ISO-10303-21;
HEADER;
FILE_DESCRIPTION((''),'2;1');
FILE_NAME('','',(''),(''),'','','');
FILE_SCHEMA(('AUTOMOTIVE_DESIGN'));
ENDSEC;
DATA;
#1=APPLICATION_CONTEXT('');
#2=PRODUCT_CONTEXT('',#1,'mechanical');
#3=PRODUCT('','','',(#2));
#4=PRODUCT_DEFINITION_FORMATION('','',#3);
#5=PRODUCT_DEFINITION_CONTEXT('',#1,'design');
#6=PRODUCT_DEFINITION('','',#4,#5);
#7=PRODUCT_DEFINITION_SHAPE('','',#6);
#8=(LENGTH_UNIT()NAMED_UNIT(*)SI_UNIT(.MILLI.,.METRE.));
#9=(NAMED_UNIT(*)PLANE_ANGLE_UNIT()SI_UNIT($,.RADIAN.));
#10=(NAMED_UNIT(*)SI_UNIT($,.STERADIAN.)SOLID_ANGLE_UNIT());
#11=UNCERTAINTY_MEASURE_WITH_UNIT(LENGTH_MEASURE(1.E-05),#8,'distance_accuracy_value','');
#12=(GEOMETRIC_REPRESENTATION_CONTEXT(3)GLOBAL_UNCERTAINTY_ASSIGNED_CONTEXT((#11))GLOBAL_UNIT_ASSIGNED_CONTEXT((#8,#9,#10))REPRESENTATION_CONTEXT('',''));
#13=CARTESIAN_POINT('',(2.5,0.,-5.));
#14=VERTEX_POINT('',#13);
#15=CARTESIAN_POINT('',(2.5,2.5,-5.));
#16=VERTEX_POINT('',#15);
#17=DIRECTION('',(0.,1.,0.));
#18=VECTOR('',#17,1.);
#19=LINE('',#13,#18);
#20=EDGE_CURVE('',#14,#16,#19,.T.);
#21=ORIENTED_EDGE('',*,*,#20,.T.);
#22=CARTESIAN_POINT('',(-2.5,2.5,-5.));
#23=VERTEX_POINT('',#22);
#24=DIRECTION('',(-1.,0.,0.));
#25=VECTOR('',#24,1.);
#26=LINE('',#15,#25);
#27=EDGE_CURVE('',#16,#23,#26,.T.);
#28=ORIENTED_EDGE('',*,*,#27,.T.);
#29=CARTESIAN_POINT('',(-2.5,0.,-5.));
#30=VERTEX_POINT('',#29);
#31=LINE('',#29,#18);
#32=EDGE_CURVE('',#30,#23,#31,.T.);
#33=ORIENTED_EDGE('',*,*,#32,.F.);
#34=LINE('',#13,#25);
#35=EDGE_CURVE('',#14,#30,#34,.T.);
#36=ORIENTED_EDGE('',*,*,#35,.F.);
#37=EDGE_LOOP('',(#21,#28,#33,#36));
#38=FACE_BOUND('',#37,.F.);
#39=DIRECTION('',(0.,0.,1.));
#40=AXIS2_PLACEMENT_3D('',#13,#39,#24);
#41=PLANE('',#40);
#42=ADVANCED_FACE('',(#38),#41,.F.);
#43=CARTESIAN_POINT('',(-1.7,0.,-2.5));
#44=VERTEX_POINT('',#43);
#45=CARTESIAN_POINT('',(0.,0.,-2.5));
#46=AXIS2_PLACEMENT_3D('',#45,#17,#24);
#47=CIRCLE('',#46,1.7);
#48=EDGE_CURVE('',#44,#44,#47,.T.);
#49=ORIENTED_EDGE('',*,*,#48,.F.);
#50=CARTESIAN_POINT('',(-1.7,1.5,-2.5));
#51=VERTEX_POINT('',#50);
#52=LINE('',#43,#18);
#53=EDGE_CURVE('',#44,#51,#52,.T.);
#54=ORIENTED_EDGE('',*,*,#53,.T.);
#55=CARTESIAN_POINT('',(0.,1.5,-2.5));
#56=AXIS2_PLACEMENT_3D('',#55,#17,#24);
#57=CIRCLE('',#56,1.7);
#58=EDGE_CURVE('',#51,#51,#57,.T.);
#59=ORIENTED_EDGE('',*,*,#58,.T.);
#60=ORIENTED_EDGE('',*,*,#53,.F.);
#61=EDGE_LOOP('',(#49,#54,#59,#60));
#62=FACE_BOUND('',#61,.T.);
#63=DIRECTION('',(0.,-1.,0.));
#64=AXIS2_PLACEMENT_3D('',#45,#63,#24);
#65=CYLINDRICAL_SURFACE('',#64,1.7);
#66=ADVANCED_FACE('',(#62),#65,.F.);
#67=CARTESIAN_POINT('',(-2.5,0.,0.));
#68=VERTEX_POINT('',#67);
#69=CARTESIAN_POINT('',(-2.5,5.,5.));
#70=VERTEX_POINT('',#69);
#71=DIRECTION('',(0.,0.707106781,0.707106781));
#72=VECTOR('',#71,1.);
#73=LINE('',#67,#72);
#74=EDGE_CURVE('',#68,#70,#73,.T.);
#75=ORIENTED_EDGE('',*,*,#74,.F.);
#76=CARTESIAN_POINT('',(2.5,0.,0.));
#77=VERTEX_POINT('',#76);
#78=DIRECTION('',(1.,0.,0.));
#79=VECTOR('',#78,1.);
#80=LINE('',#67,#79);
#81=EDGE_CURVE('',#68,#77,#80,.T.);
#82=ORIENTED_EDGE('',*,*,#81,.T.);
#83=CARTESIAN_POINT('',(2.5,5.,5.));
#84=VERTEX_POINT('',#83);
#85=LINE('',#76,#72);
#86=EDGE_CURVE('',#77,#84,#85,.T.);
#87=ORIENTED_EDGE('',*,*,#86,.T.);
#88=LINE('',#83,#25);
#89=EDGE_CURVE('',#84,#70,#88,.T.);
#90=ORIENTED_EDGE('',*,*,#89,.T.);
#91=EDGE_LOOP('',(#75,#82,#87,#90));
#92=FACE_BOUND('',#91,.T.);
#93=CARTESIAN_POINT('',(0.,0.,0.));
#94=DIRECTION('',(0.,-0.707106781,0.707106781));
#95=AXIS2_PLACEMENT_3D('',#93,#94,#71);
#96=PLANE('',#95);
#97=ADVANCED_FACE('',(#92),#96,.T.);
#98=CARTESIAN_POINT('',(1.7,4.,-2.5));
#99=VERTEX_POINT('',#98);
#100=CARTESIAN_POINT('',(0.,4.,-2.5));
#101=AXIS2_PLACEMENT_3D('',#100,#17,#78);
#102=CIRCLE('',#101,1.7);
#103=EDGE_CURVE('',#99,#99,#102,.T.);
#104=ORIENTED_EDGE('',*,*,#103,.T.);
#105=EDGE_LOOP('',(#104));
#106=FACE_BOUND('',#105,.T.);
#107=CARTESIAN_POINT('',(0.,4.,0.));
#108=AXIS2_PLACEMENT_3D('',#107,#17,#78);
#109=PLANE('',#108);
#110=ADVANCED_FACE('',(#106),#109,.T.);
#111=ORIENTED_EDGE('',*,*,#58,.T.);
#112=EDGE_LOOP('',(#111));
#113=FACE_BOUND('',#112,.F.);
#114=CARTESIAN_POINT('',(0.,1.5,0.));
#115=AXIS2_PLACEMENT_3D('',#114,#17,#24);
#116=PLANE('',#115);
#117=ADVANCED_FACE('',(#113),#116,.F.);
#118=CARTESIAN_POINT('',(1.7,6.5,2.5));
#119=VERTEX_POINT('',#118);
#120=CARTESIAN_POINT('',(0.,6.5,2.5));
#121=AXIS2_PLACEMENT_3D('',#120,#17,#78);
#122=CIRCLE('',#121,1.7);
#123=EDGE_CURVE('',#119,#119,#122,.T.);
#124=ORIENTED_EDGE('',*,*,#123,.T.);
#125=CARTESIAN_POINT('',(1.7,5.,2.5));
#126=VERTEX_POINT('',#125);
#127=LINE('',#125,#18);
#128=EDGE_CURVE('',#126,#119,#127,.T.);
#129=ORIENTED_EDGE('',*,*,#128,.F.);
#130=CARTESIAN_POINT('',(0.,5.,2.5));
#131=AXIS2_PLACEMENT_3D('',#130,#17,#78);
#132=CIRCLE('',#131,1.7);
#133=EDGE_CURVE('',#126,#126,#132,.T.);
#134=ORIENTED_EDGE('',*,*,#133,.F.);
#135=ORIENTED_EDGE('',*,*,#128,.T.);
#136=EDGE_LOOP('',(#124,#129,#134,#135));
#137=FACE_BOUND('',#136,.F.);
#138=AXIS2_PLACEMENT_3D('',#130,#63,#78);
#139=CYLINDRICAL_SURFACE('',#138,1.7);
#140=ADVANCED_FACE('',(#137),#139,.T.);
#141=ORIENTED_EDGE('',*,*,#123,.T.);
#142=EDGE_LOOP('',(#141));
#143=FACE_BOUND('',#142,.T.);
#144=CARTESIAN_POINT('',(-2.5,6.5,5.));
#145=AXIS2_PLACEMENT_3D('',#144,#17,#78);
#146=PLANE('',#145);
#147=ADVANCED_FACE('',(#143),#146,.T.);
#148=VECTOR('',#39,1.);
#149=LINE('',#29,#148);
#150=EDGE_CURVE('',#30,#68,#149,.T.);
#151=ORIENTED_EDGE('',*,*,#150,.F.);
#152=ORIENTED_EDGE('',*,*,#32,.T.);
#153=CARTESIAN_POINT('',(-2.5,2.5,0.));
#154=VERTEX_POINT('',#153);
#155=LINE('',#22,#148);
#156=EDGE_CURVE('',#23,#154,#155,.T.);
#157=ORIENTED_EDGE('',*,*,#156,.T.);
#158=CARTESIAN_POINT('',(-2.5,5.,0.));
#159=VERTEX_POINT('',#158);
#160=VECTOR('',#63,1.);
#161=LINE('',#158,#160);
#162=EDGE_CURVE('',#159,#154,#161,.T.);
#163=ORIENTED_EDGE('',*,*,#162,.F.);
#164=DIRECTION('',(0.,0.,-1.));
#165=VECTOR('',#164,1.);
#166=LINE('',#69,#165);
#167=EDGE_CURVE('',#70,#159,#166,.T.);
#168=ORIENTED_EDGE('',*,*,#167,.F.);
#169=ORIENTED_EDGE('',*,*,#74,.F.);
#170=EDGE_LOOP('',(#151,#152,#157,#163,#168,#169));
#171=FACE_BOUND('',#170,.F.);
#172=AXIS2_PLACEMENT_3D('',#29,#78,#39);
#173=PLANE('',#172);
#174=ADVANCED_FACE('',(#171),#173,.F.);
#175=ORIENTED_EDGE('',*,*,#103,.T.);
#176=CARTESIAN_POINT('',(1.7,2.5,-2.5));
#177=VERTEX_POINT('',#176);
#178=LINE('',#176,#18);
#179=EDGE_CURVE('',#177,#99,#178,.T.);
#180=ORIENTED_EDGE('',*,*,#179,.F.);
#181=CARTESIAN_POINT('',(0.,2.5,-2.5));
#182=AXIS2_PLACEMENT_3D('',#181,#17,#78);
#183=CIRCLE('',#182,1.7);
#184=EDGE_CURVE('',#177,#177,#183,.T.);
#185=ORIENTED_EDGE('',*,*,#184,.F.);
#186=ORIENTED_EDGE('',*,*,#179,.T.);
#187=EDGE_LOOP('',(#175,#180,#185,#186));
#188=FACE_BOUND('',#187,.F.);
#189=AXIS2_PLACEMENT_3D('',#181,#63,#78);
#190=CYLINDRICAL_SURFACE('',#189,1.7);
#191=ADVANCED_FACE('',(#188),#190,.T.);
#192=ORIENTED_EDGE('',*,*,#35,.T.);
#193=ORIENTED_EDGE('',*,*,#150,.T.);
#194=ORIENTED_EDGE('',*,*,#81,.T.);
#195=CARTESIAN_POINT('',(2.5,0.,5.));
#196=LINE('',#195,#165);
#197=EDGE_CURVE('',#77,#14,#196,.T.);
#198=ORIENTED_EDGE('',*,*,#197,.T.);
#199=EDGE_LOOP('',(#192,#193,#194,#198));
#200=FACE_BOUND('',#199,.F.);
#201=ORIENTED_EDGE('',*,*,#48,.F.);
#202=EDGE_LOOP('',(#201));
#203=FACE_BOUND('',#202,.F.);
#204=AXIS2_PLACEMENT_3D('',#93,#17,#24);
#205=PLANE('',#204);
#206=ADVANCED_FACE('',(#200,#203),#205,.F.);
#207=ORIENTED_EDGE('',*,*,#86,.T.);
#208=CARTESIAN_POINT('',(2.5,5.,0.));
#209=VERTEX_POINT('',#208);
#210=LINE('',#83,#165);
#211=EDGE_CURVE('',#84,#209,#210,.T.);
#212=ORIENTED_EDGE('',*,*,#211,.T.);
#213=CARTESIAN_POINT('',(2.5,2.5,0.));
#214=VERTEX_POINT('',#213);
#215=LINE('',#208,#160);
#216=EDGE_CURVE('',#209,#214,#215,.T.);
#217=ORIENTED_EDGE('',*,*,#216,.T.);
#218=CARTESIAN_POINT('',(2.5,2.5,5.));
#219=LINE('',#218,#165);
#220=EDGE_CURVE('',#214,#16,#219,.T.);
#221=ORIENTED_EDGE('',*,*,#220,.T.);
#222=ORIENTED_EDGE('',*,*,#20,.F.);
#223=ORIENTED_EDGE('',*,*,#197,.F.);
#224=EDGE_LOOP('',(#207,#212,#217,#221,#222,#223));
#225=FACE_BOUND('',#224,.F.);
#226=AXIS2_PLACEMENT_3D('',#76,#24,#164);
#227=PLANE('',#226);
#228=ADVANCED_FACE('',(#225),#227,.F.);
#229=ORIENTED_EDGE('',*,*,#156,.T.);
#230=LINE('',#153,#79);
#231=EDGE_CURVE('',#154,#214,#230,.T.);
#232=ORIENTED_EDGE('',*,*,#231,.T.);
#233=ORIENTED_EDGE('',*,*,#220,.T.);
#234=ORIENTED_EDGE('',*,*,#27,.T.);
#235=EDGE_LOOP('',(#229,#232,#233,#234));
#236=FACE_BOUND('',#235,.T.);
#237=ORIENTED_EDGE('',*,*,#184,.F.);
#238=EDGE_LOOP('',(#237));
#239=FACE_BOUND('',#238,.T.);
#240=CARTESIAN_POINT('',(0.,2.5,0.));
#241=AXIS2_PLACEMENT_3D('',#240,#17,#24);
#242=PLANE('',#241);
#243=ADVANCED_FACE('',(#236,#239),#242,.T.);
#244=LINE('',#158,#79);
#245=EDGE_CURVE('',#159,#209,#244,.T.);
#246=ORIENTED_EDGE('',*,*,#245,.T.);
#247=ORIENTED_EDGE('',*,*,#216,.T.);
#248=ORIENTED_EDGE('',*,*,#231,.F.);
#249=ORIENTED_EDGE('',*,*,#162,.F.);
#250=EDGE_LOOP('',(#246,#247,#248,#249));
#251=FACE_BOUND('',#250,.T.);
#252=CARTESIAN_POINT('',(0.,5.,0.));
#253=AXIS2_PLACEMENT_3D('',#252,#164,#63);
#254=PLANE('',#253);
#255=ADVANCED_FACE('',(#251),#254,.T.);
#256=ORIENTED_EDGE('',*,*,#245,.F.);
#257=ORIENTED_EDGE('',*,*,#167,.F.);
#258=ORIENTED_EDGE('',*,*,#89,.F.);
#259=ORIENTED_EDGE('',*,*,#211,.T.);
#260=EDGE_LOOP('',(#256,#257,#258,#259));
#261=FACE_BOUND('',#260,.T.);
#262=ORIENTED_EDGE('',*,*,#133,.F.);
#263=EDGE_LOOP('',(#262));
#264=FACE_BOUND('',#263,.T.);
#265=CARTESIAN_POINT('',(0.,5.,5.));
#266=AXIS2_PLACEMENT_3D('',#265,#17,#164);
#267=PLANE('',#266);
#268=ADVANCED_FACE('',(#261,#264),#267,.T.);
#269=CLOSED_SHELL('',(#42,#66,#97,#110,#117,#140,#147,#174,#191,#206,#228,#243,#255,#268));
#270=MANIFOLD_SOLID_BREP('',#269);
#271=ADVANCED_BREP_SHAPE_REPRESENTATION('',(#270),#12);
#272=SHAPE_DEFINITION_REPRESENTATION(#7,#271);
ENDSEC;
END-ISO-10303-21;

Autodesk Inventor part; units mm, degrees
ref_plane "YZ Plane" through (0, 0, 0) normal (1, 0, 0) x (0, 1, 0)
ref_plane "XZ Plane" through (0, 0, 0) normal (0, 1, 0) x (-1, 0, 0)
ref_plane "XY Plane" through (0, 0, 0) normal (0, 0, 1) x (1, 0, 0)
sketch "草圖1" plane through (0, 0, 0) normal (0, 1, 0) x (-1, 0, 0)
  line L0 (2.5, 5) -> (-2.5, 5)
  line L1 (-2.5, 5) -> (-2.5, -5)
  line L2 (-2.5, -5) -> (2.5, -5)
  line L3 (2.5, -5) -> (2.5, 5)
  circle A0 centre (0, 2.5) radius 1.7
  circle A1 centre (0, -2.5) radius 1.7
  line L4 (2.5, 0) -> (-2.5, 0)
  point P0 (0, 0)
  point P1 (0, -5)
  dimension "d0" = 5
  dimension "d1" = 10
  dimension "d2" = 3.4
  dimension "d3" = 3.4
  dimension "d4" = 2.5
  dimension "d5" = 2.5
  dimension "d6" = 2.5
  dimension "d7" = 2.5
extrude "擠出1" add sketch "草圖1" along normal blind 2.5 contours L3 L2 L1 L4 | A1
extrude "擠出2" cut sketch "草圖1" along normal blind 1.5 contours A1
sketch "草圖2" plane through (0, 2.5, 0) normal (0, 1, 0) x (1, 0, 0)
  circle A0 centre (0, 2.5) radius 1.7 projected
  point P0 (0, 0)
extrude "擠出3" add sketch "草圖2" along normal blind 1.5
sketch "草圖3" plane through (0, 0, 0) normal (1, 0, 0) x (0, 1, 0)
  line L0 (0, 5) -> (0, -5) projected
  line L1 (0, 0) -> (5, 5)
  line L2 (5, 5) -> (5, 0)
  line L3 (5, 0) -> (0, 0)
  dimension "d15" = 5
  dimension "d20" = 5
extrude "擠出4" add sketch "草圖3" along normal mid plane 5
sketch "草圖4" plane through (-2.5, 5, 5) normal (0, 1, 0) x (1, 0, 0)
  circle A0 centre (2.5, 2.5) radius 1.7 projected
  point P0 (2.5, 5)
extrude "擠出5" add sketch "草圖4" along normal blind 1.5
properties part number "110033226_ipt_11_樓梯支架"
